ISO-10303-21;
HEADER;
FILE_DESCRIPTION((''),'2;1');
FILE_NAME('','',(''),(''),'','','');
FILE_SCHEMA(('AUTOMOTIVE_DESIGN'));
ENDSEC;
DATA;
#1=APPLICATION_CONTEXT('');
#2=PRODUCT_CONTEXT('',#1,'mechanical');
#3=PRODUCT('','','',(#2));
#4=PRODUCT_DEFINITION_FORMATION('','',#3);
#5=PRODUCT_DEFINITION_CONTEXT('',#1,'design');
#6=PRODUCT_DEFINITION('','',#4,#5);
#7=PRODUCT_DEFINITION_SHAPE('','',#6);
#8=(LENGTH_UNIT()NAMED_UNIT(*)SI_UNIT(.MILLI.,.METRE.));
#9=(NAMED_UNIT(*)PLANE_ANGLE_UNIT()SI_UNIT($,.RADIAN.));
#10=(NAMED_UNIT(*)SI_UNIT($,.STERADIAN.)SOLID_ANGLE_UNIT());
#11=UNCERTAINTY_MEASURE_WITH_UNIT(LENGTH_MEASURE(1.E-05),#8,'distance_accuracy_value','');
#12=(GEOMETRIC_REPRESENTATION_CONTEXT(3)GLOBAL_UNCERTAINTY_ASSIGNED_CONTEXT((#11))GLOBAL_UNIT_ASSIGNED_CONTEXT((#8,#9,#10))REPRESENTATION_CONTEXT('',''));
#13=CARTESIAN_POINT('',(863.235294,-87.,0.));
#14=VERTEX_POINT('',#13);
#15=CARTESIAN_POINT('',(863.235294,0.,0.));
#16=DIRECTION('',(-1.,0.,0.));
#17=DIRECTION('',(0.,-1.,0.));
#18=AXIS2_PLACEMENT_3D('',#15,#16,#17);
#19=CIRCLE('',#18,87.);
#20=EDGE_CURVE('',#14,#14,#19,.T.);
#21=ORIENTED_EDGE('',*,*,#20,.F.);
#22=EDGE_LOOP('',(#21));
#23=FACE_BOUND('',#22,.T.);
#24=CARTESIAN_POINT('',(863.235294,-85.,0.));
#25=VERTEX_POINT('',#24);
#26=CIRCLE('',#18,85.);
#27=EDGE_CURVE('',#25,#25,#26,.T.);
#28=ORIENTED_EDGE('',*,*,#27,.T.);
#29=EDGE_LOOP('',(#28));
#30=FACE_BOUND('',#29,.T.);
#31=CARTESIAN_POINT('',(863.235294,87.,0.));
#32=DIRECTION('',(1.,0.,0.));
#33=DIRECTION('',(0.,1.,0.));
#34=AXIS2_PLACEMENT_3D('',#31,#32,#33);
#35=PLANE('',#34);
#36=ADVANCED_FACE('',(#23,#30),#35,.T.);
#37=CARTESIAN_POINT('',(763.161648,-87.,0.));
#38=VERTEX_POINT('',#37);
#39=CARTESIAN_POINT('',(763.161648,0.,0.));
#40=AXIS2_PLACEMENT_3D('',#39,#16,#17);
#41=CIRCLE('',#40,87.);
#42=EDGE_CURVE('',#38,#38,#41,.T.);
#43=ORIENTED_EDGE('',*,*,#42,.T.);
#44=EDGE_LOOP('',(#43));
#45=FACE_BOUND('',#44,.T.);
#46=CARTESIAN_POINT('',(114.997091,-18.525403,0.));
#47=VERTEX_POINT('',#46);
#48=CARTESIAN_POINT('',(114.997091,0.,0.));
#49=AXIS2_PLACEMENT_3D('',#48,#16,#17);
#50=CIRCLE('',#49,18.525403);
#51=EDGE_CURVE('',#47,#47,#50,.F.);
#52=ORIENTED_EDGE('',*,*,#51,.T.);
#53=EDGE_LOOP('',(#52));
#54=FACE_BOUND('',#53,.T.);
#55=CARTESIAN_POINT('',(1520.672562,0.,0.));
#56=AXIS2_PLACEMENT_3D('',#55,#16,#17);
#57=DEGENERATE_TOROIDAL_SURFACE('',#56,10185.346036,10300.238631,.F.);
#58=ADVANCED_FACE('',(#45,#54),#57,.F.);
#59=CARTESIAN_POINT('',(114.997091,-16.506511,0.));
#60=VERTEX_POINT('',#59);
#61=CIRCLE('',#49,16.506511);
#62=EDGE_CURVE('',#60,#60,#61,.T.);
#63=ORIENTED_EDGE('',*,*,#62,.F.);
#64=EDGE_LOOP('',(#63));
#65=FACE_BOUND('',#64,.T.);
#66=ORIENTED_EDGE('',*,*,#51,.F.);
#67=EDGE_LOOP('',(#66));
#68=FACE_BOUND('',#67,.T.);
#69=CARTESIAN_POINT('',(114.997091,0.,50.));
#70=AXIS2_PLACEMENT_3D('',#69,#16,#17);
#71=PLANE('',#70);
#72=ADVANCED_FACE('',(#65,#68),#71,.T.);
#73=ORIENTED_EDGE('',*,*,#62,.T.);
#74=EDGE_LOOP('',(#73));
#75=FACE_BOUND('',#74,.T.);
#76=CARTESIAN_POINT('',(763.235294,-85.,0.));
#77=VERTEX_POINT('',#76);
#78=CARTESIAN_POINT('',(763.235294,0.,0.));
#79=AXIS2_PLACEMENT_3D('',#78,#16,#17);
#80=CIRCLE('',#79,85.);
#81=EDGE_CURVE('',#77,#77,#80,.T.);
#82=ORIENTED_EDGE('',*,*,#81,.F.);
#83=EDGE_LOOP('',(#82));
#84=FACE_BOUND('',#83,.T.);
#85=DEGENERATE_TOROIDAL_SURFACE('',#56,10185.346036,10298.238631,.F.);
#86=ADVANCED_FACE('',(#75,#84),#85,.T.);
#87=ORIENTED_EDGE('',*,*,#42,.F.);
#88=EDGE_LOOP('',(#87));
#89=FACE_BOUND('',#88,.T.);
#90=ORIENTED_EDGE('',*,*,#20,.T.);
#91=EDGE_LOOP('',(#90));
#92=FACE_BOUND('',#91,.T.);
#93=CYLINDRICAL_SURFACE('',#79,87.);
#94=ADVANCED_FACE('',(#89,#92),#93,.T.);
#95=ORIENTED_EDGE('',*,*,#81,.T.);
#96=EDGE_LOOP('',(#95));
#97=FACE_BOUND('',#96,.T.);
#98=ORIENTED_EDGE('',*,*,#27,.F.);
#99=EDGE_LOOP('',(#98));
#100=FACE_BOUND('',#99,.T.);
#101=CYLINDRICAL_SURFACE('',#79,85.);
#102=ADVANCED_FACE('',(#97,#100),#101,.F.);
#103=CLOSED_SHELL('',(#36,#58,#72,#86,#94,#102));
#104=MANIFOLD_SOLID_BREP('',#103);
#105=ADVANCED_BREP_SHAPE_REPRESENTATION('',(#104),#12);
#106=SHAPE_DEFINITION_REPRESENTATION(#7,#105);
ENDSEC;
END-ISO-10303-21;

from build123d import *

# Parameters (mm, degrees)
SKETCH14_W         = 99.852899645
SKETCH14_H         = 2
CUT_EXTRUDE1_DEPTH = 50


with BuildPart() as part:
    # Sketch1 → Revolve1 (revolve)
    with BuildSketch(Plane(origin=(0, 0, 0), x_dir=(-1, 0, 0), z_dir=(0, 0, -1)), mode=Mode.PRIVATE) as revolve1_sk:
        with BuildLine():
            Line((-763.382394472, 85), (-763.235294117, 85))
            ThreePointArc((-763.235294117, 85), (-380.825050597, 49.616912867), (0, 0))
            Line((0, 0), (18.46847438, 0))
            Line((18.46847438, 0), (0.295326728, 1.978075358))
            ThreePointArc((0.295326728, 1.978075358), (-380.640283603, 51.608700281), (-763.161647781, 87))
            Line((-763.161647781, 87), (-763.382394472, 87))
            Line((-763.382394472, 87), (-763.382394472, 85))
        make_face()
    revolve(revolve1_sk.sketch.rotate(Axis((763.235294117, 0, 0), (-1, 0, 0)), 180), axis=Axis((763.235294117, 0, 0), (-1, 0, 0)))

    # Sketch14 → Revolve4 (revolve)
    with BuildSketch(Plane(origin=(0, 0, 0), x_dir=(-1, 0, 0), z_dir=(0, 0, -1)), mode=Mode.PRIVATE) as revolve4_sk:
        with Locations((-813.308844295, 86)):
            Rectangle(SKETCH14_W, SKETCH14_H)
    revolve(revolve4_sk.sketch.rotate(Axis((763.235294117, 0, 0), (1, 0, 0)), 180), axis=Axis((763.235294117, 0, 0), (1, 0, 0)))

    # Sketch15 → Cut-Extrude1 (cut, symmetric)
    with BuildSketch(Plane.XY):
        Polygon((-1798.394426372, -1.080422086), (-17.779665104, -0.07497417), (114.997091286, 0), (114.997091286, 42.308767364), (-24.793740749, 42.308767364), (-24.793740749, -36.098631976), (114.997091286, -36.098631976), (114.997091286, 0), (114.997091286, 1780.615045137), (-2311.882223875, 4386.879909942), (-4225.273741533, 2605.184442719), align=None)
    extrude(amount=CUT_EXTRUDE1_DEPTH, both=True, mode=Mode.SUBTRACT)


with BuildPart() as cut_extrude1_kept_piece:
    # of the separate pieces the step leaves, the one the design keeps (cut_extrude1_pieces_kept)
    add(part.part.solids().sort_by_distance((763.161647781, -87, 0))[0])


solid = cut_extrude1_kept_piece.part
